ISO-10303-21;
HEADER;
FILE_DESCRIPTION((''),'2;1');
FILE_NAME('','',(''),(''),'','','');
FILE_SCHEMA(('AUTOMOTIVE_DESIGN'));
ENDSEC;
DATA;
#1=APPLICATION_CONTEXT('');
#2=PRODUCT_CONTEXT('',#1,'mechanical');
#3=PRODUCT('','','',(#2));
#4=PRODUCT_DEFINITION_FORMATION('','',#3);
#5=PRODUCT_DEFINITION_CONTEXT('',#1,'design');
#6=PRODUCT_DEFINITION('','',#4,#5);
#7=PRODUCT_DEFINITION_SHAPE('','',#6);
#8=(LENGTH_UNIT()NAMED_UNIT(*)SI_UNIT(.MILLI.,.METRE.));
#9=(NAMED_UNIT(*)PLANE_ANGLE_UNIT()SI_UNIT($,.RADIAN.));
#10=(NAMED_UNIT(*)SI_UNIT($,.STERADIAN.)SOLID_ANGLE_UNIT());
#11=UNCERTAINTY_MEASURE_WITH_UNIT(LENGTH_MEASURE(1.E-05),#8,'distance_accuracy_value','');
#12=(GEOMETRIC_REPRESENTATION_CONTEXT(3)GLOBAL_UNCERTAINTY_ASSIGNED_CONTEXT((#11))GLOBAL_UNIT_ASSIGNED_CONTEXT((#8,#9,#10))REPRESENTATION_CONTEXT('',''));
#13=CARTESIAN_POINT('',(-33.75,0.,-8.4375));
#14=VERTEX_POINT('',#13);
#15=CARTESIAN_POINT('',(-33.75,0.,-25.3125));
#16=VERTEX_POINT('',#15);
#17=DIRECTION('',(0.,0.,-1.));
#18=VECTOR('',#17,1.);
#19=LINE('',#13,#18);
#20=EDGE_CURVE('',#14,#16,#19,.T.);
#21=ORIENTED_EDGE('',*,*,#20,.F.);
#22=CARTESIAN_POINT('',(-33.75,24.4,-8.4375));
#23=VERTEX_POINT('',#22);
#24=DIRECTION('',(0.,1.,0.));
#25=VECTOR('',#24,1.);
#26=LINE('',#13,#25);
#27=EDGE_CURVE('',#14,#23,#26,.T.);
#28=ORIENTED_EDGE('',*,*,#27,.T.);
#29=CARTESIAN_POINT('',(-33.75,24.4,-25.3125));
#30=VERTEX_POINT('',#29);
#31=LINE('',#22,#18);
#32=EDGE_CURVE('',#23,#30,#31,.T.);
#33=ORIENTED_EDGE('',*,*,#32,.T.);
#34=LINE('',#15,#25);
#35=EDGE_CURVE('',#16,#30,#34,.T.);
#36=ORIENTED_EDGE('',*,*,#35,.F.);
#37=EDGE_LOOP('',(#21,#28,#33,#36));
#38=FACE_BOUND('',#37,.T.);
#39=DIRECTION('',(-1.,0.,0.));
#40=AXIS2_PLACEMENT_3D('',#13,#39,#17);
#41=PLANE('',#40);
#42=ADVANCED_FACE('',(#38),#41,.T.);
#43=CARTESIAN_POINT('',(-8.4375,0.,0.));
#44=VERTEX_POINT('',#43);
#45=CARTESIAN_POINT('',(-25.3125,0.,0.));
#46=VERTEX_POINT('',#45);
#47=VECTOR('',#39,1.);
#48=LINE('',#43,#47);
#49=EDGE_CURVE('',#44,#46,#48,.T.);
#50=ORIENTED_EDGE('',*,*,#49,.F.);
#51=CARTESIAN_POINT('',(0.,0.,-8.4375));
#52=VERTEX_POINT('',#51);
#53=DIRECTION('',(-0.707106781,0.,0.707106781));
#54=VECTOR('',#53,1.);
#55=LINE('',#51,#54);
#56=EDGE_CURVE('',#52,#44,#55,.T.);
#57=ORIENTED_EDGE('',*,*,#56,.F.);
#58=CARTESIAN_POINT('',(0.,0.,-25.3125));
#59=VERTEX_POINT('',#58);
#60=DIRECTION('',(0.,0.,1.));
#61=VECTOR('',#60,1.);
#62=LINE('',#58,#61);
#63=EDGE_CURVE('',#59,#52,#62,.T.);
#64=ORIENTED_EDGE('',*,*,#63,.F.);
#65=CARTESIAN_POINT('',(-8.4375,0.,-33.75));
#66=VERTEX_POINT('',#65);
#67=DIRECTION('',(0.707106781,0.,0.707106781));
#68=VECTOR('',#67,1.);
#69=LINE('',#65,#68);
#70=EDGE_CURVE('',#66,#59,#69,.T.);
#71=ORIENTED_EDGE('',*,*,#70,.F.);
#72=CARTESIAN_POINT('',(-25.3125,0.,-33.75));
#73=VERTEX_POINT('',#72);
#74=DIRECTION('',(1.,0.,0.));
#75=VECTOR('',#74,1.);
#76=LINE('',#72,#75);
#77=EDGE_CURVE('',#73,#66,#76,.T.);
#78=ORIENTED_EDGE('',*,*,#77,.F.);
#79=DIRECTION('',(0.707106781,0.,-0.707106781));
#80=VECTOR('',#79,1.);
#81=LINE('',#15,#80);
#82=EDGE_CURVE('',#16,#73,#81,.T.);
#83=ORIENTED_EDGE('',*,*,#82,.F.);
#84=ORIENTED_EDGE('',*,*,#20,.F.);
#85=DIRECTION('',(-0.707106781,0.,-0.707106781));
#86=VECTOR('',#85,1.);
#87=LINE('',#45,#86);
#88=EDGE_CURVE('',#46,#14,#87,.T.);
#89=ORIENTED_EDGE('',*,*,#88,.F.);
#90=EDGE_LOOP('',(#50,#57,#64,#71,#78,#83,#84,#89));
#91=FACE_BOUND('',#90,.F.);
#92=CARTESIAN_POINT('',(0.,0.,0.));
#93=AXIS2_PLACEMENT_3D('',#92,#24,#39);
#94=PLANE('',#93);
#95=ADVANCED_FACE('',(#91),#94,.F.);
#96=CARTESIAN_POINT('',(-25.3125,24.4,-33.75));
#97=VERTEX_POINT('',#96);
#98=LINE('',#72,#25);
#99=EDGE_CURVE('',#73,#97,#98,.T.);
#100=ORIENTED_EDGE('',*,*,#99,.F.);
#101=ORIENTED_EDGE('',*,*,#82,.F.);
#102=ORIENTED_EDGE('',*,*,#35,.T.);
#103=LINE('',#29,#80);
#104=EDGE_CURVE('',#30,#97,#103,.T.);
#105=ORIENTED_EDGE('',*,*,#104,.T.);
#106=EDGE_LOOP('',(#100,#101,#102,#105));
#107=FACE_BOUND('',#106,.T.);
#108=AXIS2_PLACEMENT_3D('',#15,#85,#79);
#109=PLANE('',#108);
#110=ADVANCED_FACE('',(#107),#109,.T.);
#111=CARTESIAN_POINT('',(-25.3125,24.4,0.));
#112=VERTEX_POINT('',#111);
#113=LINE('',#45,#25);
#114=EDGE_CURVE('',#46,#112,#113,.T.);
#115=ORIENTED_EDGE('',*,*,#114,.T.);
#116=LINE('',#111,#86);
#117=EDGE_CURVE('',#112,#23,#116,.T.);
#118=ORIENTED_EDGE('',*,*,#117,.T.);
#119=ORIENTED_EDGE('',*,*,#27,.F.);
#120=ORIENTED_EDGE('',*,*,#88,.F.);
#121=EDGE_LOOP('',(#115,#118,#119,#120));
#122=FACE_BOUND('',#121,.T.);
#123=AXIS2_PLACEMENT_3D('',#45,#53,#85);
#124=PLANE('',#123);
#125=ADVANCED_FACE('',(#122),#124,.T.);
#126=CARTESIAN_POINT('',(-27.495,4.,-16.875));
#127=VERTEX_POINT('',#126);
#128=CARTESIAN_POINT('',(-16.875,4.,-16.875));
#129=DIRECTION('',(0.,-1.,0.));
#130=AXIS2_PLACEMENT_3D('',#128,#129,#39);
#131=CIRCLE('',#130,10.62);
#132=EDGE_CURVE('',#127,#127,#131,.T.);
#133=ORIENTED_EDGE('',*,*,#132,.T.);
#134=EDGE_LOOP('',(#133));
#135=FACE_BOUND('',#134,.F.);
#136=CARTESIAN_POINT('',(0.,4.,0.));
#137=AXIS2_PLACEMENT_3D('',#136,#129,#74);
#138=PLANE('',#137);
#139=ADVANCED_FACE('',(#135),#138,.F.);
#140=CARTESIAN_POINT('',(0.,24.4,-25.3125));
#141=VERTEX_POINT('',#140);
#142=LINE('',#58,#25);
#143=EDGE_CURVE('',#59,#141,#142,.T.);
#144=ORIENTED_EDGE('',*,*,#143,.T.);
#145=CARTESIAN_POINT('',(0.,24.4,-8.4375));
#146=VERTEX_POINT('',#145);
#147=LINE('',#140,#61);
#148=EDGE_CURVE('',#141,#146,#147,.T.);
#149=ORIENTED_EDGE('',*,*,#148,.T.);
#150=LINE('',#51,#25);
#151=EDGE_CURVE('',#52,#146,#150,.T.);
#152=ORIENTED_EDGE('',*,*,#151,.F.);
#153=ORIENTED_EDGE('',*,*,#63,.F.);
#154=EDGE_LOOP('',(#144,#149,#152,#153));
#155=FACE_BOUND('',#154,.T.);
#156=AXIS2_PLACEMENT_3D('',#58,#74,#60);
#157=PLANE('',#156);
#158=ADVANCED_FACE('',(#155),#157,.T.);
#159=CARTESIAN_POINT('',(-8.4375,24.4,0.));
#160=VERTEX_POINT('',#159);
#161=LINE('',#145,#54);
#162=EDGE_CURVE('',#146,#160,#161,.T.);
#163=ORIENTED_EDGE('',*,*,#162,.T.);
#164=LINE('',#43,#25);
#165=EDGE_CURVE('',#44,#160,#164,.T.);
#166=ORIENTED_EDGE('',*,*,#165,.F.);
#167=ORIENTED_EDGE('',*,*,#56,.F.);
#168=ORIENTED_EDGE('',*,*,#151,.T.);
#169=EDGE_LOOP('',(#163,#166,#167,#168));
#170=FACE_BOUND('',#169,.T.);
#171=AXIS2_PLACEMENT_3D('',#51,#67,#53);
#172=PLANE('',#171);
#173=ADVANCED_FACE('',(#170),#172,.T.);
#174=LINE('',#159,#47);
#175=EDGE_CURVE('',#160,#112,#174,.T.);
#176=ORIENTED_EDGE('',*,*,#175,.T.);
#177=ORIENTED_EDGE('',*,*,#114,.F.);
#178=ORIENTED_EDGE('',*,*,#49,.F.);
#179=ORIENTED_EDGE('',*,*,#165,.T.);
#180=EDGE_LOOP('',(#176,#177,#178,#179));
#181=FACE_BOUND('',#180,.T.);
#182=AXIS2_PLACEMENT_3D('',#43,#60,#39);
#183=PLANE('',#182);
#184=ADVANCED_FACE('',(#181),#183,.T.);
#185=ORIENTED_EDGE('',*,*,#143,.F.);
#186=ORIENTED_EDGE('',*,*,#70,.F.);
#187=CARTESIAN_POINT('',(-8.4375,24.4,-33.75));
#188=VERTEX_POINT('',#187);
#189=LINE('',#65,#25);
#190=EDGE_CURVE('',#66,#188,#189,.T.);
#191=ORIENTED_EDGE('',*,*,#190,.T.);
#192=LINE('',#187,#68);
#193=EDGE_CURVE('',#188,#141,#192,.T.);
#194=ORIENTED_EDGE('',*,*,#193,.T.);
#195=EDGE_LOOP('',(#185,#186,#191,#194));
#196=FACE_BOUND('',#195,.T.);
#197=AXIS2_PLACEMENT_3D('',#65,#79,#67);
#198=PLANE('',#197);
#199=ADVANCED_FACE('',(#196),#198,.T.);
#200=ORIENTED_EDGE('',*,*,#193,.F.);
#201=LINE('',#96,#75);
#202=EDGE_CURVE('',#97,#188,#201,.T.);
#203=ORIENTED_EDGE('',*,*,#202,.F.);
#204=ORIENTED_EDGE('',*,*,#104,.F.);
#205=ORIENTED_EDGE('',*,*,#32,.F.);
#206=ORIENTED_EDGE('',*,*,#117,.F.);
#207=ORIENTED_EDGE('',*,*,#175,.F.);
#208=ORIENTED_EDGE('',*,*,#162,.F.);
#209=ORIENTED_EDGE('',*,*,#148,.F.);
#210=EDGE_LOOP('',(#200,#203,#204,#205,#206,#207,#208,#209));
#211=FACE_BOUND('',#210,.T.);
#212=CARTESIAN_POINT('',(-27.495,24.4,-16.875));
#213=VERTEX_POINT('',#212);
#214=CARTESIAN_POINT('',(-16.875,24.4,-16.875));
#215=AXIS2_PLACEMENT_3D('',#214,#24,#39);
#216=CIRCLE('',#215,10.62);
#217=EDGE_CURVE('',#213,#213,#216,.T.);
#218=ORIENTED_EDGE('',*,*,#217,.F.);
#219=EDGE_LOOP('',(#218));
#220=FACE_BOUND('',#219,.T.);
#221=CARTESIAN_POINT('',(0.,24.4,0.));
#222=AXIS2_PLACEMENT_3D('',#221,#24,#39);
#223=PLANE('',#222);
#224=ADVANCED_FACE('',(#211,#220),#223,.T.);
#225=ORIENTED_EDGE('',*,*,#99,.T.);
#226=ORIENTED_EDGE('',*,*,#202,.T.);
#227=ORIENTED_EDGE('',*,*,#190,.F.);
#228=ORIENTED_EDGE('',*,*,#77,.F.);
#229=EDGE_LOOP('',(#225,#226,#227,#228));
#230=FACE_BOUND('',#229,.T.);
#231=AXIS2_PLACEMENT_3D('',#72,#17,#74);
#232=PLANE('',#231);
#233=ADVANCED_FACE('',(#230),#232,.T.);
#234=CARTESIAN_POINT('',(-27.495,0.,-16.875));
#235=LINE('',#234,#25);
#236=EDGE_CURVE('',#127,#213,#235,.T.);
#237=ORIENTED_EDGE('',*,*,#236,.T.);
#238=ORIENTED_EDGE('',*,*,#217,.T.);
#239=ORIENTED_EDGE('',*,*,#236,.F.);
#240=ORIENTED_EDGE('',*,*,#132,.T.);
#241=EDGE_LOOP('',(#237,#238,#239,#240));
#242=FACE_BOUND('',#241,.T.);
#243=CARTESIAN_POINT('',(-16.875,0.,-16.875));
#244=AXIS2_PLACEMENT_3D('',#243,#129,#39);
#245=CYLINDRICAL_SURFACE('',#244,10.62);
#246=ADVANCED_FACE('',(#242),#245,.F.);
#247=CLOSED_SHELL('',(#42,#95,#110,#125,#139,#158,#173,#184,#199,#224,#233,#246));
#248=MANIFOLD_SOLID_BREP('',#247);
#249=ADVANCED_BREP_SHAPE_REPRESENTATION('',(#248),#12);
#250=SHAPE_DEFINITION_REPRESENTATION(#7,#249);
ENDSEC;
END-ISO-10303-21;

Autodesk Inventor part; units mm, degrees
ref_plane "YZ Plane" through (0, 0, 0) normal (1, 0, 0) x (0, 1, 0)
ref_plane "XZ Plane" through (0, 0, 0) normal (0, 1, 0) x (-1, 0, 0)
ref_plane "XY Plane" through (0, 0, 0) normal (0, 0, 1) x (1, 0, 0)
sketch "Sketch1" plane through (0, 0, 0) normal (0, 1, 0) x (-1, 0, 0)
  line L0 (0, 0) -> (0, -16.875) construction
  line L1 (0, -33.75) -> (16.875, -33.75) construction
  line L2 (33.75, -33.75) -> (33.75, -16.875) construction
  line L3 (33.75, 0) -> (16.875, 0) construction
  line L4 (33.75, -16.875) -> (0, -16.875) construction
  line L5 (16.875, -33.75) -> (16.875, 0) construction
  circle A0 centre (16.875, -16.875) radius 10.62
  line L6 (33.75, -16.875) -> (33.75, 0) construction
  line L7 (16.875, 0) -> (0, 0) construction
  line L8 (0, -16.875) -> (0, -33.75) construction
  line L9 (16.875, -33.75) -> (33.75, -33.75) construction
  line L10 (33.75, -25.3125) -> (25.3125, -33.75)
  line L11 (8.4375, -33.75) -> (0, -25.3125)
  line L12 (0, -8.4375) -> (8.4375, 0)
  line L13 (25.3125, 0) -> (33.75, -8.4375)
  line L14 (8.4375, 0) -> (25.3125, 0)
  line L15 (33.75, -8.4375) -> (33.75, -25.3125)
  line L16 (25.3125, -33.75) -> (8.4375, -33.75)
  line L17 (0, -25.3125) -> (0, -8.4375)
  dimension "d0" = 33.75
  dimension "d1" = 33.75
  dimension "d2" = 21.24
extrude "Extrusion1" add sketch "Sketch1" along normal blind 24.4
sketch "Sketch2" plane through (0, 0, 0) normal (0, -1, 0) x (1, 0, 0)
  circle A0 centre (-16.875, -16.875) radius 10.62 projected
  point P0 (0, 0)
extrude "Extrusion2" add sketch "Sketch2" against normal blind 4
properties part number "dummy gopro nickle holder"
